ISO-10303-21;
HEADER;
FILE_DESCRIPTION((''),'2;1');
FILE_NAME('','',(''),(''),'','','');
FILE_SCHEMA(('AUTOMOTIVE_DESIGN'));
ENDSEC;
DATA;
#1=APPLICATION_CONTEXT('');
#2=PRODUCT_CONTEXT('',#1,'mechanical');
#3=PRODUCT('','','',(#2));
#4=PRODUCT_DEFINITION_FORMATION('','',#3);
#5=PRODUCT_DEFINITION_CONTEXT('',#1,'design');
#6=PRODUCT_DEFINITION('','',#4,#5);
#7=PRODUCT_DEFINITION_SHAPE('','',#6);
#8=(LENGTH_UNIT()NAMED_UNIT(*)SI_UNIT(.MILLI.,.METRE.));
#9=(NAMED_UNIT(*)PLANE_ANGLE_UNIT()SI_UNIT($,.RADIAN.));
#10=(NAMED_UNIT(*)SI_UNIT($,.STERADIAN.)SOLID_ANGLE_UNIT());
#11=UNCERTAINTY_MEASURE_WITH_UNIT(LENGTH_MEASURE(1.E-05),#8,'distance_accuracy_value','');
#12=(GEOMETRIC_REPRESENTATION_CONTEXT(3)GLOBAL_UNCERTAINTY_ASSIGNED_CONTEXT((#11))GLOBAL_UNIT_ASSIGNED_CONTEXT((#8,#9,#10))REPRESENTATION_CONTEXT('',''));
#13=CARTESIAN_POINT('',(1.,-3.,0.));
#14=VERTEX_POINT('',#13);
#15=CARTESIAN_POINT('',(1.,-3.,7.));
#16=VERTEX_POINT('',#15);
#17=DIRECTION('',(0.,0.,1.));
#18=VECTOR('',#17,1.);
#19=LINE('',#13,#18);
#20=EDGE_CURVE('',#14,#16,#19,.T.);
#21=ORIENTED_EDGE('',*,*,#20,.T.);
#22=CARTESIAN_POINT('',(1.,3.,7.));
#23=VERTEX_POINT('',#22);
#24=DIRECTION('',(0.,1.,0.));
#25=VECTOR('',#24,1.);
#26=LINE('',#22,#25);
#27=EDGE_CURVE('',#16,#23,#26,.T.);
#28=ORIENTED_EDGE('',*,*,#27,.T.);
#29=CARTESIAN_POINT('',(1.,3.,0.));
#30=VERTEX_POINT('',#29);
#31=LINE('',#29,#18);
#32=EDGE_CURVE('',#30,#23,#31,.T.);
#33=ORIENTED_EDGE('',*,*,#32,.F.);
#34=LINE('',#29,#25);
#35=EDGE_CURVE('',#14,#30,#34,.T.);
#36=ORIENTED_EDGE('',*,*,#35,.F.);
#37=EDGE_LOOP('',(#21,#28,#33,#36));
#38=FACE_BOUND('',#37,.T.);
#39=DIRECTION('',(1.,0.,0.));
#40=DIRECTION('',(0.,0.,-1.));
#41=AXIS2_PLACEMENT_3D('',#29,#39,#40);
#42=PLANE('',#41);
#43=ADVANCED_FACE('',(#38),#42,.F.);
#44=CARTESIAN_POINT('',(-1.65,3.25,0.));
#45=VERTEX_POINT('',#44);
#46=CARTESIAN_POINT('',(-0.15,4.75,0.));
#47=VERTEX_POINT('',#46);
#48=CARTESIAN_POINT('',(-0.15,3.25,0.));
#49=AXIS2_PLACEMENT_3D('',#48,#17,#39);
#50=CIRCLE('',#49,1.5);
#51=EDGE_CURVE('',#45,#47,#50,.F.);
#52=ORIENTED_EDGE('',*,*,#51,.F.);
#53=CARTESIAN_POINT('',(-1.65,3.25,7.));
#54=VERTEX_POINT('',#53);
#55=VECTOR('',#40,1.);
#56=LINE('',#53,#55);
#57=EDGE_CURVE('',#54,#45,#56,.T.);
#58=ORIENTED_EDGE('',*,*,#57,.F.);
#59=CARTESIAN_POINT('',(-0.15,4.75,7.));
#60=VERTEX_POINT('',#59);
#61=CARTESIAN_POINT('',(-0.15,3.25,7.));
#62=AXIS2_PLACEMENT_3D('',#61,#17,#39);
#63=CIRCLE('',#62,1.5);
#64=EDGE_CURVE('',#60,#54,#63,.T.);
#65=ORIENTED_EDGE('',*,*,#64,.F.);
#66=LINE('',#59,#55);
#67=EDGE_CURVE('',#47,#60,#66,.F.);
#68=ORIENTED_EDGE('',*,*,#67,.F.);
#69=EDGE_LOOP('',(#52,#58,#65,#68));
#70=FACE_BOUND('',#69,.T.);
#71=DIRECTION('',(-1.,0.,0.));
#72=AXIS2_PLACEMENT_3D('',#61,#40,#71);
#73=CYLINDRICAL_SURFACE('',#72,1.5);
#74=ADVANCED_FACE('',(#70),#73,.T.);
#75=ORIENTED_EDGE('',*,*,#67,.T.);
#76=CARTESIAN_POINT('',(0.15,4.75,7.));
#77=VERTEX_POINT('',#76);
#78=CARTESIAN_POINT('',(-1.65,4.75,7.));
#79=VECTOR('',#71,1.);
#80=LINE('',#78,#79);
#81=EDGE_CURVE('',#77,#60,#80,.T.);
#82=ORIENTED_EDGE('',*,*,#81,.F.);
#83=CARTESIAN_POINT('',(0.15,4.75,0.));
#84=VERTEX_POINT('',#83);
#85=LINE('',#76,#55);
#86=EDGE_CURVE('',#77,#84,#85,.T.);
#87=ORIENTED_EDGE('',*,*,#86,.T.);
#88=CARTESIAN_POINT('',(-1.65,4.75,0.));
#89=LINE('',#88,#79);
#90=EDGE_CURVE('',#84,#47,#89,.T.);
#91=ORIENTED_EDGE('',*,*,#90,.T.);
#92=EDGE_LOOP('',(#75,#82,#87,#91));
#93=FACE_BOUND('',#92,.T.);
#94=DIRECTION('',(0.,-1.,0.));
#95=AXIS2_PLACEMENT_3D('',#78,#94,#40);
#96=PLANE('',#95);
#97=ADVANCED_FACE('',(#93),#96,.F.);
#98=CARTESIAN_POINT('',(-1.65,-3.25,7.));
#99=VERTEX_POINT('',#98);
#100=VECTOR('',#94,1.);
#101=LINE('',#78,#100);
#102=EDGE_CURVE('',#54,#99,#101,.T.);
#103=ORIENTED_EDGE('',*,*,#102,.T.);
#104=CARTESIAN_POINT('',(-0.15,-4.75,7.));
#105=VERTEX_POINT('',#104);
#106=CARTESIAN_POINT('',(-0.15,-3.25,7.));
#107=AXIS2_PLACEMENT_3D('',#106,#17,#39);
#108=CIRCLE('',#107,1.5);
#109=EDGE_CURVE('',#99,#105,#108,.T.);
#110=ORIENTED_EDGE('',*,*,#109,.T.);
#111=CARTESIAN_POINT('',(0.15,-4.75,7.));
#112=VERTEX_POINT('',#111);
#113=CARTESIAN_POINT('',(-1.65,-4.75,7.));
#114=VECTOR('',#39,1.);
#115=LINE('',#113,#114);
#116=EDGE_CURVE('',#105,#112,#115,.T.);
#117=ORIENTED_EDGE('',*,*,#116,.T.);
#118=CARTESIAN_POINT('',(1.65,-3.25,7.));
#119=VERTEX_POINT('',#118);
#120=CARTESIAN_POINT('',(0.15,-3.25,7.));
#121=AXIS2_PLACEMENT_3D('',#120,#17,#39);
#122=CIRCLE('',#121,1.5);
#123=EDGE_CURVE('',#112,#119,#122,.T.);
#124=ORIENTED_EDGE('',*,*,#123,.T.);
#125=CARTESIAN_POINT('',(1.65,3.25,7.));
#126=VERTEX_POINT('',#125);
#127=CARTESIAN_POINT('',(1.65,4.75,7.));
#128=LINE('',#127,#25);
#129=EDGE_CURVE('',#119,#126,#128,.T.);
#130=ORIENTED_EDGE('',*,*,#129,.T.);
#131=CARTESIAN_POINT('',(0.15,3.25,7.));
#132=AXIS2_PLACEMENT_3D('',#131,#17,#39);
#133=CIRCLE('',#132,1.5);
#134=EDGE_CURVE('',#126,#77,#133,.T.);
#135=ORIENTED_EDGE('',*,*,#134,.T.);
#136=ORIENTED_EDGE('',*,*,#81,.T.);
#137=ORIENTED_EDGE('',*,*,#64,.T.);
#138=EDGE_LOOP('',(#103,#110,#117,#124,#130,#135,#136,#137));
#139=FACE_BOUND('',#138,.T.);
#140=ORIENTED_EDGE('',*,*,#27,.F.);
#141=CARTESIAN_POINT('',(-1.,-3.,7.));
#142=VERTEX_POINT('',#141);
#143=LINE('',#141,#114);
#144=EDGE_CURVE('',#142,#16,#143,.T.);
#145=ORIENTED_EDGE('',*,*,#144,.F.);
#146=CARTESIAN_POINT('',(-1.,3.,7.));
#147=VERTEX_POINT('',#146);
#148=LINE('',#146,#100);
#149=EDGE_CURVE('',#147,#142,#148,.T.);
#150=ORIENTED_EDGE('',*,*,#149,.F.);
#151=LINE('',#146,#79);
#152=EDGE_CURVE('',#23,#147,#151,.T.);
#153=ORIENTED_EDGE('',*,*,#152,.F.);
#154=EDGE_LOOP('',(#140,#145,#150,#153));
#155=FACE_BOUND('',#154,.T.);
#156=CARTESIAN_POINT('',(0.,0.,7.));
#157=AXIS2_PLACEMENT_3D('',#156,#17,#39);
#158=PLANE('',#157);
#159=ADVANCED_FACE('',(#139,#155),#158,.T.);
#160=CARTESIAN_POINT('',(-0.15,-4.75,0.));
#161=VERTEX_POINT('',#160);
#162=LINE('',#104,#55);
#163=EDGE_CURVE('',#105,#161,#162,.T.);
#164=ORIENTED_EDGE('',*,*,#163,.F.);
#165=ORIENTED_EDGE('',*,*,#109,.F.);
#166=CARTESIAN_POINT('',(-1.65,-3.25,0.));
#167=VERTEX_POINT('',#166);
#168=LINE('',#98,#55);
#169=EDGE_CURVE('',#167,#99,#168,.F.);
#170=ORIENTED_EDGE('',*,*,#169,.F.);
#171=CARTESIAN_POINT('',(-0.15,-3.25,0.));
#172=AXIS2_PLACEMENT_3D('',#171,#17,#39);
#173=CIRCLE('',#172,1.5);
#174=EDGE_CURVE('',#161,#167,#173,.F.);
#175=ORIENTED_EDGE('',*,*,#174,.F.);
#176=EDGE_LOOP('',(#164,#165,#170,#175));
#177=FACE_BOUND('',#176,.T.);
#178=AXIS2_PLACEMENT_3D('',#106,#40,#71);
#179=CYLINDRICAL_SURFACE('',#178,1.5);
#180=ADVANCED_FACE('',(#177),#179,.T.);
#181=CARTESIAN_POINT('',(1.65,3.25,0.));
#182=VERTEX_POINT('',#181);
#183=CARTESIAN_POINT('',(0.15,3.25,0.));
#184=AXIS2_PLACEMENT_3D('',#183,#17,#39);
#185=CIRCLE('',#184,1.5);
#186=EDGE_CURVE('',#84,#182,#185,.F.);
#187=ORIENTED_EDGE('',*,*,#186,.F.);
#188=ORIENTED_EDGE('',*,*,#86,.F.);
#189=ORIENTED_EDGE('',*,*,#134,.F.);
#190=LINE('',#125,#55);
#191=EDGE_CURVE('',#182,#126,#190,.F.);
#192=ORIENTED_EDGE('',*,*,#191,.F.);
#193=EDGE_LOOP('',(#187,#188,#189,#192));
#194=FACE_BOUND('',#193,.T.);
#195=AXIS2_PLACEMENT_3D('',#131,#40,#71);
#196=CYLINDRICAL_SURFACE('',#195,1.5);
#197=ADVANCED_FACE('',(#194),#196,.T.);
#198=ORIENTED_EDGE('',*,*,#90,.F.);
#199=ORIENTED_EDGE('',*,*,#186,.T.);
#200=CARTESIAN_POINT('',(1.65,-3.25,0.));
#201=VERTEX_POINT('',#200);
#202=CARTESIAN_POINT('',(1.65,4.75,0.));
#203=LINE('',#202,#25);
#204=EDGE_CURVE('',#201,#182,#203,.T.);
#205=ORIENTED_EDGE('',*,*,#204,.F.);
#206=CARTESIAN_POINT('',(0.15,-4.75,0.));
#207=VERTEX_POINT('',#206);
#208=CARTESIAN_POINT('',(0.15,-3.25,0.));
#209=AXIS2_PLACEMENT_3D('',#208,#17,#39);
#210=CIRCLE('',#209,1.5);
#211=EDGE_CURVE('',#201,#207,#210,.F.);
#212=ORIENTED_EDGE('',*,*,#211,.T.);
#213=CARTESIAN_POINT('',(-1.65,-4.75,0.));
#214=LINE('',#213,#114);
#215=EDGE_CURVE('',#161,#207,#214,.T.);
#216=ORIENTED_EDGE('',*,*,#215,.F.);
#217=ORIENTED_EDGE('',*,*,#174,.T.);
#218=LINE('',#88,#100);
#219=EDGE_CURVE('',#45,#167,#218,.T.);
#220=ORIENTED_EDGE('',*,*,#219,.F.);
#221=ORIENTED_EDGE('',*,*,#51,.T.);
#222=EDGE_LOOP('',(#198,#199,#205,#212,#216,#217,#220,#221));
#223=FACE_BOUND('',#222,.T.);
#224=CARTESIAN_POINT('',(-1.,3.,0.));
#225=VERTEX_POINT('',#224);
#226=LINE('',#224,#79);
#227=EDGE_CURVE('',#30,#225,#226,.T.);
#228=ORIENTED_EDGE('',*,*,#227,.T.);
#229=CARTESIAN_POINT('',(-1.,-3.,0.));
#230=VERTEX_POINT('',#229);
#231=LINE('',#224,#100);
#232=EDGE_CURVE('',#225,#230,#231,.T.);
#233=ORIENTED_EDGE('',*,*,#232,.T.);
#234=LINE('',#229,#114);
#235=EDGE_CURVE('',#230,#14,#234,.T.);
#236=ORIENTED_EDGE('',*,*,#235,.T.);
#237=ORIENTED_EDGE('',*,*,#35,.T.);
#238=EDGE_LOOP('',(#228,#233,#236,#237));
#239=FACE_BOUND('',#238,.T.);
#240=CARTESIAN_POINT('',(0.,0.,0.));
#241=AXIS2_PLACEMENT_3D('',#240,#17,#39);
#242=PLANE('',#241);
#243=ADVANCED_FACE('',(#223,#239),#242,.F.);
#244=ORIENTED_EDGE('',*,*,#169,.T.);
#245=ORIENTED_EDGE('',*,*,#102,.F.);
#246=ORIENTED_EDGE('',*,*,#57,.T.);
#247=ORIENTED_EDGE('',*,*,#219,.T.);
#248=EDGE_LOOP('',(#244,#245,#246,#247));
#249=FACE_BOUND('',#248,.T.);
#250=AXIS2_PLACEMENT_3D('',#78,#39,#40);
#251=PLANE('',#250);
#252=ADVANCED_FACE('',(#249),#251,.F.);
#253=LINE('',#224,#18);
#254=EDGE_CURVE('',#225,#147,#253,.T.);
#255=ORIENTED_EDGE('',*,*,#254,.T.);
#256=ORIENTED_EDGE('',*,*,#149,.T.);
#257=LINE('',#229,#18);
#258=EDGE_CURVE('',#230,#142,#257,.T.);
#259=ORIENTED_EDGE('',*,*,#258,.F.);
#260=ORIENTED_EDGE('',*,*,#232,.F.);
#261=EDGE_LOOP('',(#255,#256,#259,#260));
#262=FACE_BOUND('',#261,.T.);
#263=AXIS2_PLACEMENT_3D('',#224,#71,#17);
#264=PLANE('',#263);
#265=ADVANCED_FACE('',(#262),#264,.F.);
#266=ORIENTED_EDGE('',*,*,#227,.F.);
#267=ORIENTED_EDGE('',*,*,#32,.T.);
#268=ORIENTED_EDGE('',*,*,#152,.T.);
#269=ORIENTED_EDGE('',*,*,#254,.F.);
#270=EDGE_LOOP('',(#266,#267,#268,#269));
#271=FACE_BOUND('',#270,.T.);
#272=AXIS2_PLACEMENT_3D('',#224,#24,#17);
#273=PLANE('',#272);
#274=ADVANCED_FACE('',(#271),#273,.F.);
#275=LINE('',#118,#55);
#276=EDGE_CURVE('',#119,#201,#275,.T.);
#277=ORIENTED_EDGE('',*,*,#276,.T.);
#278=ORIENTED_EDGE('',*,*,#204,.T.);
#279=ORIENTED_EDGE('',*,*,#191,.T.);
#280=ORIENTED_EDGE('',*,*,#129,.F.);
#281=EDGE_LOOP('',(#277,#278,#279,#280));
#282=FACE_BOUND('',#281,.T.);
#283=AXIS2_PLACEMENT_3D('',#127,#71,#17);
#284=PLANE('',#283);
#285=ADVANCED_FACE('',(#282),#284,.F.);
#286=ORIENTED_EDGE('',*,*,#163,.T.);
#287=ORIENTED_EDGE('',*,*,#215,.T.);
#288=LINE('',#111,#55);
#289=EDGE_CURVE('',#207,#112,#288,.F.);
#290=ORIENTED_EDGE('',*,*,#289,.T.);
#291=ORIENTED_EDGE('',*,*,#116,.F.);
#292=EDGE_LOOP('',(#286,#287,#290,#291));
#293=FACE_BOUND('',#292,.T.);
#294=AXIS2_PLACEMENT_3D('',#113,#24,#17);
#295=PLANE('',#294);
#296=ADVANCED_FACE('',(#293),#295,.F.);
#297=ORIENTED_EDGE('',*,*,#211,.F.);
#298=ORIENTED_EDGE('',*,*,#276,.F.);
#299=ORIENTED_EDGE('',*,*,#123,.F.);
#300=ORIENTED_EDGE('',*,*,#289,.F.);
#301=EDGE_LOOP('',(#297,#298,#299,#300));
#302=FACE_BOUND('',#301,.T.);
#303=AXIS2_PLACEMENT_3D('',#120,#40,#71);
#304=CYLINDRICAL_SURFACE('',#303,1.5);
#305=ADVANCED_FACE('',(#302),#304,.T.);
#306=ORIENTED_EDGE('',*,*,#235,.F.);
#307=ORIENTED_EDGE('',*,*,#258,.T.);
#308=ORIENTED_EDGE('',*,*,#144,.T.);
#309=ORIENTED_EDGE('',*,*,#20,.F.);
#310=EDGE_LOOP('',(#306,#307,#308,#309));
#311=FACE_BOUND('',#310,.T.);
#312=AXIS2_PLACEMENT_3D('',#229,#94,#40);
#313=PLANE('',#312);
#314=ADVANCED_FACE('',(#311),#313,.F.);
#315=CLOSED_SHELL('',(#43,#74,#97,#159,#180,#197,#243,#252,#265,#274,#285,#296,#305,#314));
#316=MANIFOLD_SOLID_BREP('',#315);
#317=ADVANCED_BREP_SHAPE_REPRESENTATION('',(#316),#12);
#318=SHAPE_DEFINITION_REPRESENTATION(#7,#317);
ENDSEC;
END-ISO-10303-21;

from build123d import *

# Parameters (mm, degrees)
SKETCH1_W           = 3.3
SKETCH1_H           = 9.5
BOSS_EXTRUDE1_DEPTH = 7
FILLET1_R           = 1.5
SKETCH2_W           = 2
SKETCH2_H           = 6
CUT_EXTRUDE1_DEPTH  = 7


with BuildPart() as part:
    # Sketch1 → Boss-Extrude1 (new body)
    with BuildSketch(Plane.XY):
        Rectangle(SKETCH1_W, SKETCH1_H)
    extrude(amount=BOSS_EXTRUDE1_DEPTH)

    # Fillet1
    fillet1_edges = [part.edges().sort_by_distance(p)[0] for p in [
        (1.65, -4.75, 3.5),
        (-1.65, -4.75, 3.5),
        (-1.65, 4.75, 3.5),
        (1.65, 4.75, 3.5),
    ]]
    fillet(fillet1_edges, radius=FILLET1_R)

    # Sketch2 → Cut-Extrude1 (cut)
    with BuildSketch(Plane.XY.offset(7)):
        Rectangle(SKETCH2_W, SKETCH2_H)
    extrude(amount=-CUT_EXTRUDE1_DEPTH, mode=Mode.SUBTRACT)


solid = part.part
